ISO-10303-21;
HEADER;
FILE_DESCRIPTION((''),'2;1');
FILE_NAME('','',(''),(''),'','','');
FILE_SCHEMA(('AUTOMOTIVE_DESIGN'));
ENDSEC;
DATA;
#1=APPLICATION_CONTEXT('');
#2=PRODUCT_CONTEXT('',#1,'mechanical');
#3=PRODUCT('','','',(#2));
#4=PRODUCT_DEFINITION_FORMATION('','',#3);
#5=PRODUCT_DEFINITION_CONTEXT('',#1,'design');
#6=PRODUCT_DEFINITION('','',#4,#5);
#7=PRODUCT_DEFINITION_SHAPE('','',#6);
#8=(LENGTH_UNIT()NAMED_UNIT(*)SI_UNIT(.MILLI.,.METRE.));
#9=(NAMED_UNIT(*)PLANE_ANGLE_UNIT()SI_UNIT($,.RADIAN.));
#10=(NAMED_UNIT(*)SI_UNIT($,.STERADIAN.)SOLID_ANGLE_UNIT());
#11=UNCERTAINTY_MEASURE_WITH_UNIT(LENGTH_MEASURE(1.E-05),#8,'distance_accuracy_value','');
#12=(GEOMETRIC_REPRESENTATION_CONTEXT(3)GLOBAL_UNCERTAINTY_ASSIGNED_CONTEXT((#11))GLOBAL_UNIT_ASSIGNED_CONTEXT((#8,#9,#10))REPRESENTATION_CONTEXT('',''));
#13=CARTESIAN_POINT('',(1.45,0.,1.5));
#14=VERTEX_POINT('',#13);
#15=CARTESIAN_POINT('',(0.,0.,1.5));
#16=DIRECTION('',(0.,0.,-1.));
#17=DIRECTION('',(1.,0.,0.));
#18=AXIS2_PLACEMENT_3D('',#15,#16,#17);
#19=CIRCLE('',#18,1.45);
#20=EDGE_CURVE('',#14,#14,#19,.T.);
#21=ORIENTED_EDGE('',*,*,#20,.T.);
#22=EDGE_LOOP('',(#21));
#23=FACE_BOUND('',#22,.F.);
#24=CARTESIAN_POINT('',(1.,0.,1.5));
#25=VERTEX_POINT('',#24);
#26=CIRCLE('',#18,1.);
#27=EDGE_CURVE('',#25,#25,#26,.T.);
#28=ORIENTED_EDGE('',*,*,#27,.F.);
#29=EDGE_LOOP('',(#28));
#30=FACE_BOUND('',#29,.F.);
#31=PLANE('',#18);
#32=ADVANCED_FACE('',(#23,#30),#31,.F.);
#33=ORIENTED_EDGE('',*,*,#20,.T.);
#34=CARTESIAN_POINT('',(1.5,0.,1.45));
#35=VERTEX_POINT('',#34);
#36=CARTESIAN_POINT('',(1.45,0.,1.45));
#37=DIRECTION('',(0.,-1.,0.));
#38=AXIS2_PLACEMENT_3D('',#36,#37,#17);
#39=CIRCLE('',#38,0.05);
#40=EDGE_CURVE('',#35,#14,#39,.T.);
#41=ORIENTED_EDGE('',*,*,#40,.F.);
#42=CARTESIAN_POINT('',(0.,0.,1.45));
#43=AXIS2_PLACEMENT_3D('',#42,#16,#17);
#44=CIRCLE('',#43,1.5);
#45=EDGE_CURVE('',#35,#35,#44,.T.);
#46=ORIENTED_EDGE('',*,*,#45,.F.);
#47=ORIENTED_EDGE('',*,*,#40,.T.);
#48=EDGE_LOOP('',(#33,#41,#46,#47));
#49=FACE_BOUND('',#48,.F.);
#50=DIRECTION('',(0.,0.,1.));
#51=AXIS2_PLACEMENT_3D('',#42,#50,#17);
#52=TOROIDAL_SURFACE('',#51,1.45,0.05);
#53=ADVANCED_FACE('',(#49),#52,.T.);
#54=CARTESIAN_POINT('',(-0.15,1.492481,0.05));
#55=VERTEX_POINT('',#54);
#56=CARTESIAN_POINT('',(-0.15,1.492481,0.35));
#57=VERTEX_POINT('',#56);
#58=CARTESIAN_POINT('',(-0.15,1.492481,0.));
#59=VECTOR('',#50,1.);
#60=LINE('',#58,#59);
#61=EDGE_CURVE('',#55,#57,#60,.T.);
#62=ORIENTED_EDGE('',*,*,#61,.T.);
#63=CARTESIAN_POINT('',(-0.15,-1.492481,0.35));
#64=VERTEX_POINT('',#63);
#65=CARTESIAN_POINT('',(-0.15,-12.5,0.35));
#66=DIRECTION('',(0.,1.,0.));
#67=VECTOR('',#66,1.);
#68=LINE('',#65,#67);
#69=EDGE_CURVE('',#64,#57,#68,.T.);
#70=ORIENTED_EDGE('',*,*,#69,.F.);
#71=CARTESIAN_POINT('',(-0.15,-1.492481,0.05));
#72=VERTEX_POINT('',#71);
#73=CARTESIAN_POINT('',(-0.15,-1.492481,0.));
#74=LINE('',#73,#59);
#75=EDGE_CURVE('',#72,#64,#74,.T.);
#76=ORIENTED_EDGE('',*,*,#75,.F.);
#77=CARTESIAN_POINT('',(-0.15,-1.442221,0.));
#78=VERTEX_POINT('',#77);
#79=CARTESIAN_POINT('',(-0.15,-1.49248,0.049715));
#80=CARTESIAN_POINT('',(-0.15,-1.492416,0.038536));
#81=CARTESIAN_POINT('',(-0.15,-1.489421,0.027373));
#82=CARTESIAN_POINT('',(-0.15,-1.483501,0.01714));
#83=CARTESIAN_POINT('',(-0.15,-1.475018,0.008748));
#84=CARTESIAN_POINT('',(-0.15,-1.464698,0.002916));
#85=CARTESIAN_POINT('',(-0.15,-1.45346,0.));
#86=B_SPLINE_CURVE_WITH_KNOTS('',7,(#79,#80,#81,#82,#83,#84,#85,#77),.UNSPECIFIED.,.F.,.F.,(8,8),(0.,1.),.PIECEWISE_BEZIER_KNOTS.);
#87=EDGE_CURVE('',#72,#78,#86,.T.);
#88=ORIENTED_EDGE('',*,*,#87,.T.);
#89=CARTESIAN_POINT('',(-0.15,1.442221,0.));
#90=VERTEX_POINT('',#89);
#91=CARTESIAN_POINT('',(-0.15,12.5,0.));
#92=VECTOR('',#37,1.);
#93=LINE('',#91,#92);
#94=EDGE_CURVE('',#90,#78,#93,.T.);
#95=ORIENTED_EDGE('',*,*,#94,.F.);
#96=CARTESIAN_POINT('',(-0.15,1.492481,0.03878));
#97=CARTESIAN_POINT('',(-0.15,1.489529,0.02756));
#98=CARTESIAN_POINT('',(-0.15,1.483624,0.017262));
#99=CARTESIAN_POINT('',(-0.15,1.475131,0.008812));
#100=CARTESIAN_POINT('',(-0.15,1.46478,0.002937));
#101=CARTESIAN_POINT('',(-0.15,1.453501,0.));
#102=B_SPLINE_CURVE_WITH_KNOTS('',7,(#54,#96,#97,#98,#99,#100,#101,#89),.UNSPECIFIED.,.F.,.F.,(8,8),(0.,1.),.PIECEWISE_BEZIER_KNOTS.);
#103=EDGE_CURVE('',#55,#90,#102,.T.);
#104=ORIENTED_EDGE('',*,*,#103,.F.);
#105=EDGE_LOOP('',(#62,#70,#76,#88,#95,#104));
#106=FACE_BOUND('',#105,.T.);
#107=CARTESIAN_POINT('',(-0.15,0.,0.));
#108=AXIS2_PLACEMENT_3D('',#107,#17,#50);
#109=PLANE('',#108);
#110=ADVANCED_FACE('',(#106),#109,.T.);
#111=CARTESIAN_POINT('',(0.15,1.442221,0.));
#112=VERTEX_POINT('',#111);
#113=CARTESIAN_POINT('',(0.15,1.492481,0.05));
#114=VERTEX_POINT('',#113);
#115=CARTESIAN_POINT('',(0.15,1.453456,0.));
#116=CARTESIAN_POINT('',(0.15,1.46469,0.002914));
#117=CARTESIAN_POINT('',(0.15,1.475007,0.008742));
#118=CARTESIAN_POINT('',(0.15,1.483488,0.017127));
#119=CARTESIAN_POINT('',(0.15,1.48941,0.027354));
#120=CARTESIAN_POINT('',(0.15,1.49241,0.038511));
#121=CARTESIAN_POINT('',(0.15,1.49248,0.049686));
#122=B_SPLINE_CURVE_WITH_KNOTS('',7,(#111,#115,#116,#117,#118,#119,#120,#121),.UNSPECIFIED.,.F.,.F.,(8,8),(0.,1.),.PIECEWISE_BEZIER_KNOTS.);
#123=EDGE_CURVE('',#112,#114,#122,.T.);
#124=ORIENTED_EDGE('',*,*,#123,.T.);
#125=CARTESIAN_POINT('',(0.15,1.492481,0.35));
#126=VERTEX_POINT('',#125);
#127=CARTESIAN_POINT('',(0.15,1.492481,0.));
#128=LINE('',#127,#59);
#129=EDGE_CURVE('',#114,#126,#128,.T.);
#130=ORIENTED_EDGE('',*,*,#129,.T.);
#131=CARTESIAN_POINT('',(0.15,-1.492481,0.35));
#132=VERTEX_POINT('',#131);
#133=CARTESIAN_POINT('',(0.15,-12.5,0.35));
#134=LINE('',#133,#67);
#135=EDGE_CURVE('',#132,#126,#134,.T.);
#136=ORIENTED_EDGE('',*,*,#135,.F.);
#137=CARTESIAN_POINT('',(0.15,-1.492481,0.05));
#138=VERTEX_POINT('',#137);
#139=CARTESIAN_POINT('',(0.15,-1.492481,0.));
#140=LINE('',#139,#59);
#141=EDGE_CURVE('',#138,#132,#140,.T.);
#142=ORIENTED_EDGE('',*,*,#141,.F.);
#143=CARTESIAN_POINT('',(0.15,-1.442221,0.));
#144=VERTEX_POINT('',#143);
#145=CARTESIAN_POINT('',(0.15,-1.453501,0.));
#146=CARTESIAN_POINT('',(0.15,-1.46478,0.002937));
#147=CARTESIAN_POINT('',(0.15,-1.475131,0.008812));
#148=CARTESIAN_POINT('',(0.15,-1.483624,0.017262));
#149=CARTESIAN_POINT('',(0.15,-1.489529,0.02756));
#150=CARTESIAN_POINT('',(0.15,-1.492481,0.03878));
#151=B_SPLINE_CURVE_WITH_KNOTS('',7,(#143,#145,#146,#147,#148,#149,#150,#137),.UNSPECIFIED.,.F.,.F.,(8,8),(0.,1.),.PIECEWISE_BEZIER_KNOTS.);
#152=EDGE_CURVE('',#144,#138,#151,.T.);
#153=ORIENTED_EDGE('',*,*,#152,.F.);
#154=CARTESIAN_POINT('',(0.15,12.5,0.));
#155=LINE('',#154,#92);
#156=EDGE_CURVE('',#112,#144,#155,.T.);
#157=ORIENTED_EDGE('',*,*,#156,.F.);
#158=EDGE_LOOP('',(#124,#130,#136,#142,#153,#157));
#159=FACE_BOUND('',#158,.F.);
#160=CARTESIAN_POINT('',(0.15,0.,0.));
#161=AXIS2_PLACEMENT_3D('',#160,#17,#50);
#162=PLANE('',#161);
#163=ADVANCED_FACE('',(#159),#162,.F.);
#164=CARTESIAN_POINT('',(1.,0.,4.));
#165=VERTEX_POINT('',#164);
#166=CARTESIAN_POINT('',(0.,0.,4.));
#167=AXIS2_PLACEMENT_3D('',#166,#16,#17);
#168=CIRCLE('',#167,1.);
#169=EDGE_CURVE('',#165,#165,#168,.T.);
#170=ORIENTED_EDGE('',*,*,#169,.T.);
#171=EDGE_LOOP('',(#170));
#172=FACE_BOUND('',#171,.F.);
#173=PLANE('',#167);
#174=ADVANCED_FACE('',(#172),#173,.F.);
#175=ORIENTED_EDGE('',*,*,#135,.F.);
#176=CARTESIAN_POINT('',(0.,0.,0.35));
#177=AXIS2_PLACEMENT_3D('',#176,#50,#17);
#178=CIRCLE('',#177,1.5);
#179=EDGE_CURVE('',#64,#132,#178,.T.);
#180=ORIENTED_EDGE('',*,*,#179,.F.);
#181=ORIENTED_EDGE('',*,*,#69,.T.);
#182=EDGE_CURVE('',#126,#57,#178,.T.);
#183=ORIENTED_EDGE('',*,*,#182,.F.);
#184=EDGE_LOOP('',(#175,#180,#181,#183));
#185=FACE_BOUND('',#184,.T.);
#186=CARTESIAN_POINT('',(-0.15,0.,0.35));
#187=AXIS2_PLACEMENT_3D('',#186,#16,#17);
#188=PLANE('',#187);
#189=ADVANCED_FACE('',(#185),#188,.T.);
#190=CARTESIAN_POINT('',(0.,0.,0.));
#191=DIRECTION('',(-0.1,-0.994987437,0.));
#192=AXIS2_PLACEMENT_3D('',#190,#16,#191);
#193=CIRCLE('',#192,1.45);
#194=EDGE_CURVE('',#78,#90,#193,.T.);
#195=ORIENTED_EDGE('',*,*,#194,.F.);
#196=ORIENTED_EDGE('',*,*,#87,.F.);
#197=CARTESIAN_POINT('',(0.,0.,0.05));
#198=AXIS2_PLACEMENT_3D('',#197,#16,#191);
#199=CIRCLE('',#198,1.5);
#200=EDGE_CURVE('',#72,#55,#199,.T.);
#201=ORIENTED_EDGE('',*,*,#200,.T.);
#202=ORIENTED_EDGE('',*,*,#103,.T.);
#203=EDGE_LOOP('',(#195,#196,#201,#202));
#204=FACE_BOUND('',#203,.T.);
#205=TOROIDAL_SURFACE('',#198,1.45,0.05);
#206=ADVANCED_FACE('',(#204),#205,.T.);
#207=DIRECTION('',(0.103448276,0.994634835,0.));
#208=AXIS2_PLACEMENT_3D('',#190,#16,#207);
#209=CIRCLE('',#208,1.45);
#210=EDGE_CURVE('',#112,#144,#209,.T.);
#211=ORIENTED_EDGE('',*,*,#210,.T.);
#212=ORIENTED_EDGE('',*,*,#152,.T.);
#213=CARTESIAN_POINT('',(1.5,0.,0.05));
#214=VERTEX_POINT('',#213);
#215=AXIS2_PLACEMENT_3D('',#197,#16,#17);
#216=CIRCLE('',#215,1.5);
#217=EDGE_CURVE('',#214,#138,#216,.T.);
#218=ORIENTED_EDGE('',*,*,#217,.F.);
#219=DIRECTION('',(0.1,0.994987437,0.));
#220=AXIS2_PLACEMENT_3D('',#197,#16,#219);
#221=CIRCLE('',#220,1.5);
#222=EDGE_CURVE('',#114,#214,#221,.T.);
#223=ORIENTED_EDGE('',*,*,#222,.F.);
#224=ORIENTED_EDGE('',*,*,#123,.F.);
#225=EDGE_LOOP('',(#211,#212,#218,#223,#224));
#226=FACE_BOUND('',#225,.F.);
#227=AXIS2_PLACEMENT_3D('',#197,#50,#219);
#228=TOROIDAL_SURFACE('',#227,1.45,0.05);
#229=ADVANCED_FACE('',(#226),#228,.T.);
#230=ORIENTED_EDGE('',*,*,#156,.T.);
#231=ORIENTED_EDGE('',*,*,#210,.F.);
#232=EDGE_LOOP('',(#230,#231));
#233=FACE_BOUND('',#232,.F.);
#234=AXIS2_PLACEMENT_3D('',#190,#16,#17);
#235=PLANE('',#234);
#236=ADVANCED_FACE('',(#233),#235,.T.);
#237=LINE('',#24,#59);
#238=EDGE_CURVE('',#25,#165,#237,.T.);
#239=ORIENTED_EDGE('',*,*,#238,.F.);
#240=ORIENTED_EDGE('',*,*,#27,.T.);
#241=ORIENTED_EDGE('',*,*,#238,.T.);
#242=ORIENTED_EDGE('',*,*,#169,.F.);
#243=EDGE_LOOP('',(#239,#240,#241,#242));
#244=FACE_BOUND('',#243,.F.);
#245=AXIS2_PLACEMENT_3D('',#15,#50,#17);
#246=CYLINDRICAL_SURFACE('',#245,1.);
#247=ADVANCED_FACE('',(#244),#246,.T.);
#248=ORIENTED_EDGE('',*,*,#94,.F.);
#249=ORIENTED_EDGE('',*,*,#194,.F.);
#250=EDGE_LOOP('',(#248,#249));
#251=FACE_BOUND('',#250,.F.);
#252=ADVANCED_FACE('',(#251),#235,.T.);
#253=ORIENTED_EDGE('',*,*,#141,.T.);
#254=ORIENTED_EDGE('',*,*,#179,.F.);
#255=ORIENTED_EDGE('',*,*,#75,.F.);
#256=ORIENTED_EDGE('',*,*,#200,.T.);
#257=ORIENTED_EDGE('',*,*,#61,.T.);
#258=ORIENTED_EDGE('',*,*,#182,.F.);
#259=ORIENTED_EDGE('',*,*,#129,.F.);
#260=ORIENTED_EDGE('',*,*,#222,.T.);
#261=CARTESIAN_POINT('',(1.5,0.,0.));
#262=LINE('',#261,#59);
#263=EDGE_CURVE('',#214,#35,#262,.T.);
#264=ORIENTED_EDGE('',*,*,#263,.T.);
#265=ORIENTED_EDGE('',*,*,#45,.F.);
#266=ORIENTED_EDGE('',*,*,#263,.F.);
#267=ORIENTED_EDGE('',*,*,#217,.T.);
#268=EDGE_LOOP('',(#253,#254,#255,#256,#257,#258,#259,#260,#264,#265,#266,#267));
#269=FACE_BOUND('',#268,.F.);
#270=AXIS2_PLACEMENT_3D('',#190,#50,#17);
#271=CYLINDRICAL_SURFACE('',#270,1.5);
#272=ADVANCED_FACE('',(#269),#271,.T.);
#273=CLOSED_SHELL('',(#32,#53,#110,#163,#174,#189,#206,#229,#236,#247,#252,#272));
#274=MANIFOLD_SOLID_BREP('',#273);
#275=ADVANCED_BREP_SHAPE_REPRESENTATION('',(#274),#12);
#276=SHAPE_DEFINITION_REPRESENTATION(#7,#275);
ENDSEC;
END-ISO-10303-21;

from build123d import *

# Parameters (mm, degrees)
F2_W     = 0.3
F2_H     = 0.35
F3_DEPTH = 12.5
F4_R     = 0.05


with BuildPart() as f1:
    # F0 (on Front) → F1 (revolve)
    with BuildSketch(Plane.XZ):
        Polygon((0, 4), (0, 0), (1.5, 0), (1.5, 1.5), (1, 1.5), (1, 4), align=None)
    revolve(axis=Axis((0, 0, 2), (0, 0, -1)))

    # F2 (on Front) → F3 (cut, symmetric)
    with BuildSketch(Plane.XZ):
        with Locations((0, 0.175)):
            Rectangle(F2_W, F2_H)
    extrude(amount=F3_DEPTH, both=True, mode=Mode.SUBTRACT)

    # F4
    f4_edges = [f1.edges().sort_by_distance(p)[0] for p in [
        (-1.5, 0, 1.5),
        (1.11243, -1.006231, 0),
        (1.11243, 1.006231, 0),
        (-1.5, 0, 0),
    ]]
    fillet(f4_edges, radius=F4_R)


solid = f1.part
